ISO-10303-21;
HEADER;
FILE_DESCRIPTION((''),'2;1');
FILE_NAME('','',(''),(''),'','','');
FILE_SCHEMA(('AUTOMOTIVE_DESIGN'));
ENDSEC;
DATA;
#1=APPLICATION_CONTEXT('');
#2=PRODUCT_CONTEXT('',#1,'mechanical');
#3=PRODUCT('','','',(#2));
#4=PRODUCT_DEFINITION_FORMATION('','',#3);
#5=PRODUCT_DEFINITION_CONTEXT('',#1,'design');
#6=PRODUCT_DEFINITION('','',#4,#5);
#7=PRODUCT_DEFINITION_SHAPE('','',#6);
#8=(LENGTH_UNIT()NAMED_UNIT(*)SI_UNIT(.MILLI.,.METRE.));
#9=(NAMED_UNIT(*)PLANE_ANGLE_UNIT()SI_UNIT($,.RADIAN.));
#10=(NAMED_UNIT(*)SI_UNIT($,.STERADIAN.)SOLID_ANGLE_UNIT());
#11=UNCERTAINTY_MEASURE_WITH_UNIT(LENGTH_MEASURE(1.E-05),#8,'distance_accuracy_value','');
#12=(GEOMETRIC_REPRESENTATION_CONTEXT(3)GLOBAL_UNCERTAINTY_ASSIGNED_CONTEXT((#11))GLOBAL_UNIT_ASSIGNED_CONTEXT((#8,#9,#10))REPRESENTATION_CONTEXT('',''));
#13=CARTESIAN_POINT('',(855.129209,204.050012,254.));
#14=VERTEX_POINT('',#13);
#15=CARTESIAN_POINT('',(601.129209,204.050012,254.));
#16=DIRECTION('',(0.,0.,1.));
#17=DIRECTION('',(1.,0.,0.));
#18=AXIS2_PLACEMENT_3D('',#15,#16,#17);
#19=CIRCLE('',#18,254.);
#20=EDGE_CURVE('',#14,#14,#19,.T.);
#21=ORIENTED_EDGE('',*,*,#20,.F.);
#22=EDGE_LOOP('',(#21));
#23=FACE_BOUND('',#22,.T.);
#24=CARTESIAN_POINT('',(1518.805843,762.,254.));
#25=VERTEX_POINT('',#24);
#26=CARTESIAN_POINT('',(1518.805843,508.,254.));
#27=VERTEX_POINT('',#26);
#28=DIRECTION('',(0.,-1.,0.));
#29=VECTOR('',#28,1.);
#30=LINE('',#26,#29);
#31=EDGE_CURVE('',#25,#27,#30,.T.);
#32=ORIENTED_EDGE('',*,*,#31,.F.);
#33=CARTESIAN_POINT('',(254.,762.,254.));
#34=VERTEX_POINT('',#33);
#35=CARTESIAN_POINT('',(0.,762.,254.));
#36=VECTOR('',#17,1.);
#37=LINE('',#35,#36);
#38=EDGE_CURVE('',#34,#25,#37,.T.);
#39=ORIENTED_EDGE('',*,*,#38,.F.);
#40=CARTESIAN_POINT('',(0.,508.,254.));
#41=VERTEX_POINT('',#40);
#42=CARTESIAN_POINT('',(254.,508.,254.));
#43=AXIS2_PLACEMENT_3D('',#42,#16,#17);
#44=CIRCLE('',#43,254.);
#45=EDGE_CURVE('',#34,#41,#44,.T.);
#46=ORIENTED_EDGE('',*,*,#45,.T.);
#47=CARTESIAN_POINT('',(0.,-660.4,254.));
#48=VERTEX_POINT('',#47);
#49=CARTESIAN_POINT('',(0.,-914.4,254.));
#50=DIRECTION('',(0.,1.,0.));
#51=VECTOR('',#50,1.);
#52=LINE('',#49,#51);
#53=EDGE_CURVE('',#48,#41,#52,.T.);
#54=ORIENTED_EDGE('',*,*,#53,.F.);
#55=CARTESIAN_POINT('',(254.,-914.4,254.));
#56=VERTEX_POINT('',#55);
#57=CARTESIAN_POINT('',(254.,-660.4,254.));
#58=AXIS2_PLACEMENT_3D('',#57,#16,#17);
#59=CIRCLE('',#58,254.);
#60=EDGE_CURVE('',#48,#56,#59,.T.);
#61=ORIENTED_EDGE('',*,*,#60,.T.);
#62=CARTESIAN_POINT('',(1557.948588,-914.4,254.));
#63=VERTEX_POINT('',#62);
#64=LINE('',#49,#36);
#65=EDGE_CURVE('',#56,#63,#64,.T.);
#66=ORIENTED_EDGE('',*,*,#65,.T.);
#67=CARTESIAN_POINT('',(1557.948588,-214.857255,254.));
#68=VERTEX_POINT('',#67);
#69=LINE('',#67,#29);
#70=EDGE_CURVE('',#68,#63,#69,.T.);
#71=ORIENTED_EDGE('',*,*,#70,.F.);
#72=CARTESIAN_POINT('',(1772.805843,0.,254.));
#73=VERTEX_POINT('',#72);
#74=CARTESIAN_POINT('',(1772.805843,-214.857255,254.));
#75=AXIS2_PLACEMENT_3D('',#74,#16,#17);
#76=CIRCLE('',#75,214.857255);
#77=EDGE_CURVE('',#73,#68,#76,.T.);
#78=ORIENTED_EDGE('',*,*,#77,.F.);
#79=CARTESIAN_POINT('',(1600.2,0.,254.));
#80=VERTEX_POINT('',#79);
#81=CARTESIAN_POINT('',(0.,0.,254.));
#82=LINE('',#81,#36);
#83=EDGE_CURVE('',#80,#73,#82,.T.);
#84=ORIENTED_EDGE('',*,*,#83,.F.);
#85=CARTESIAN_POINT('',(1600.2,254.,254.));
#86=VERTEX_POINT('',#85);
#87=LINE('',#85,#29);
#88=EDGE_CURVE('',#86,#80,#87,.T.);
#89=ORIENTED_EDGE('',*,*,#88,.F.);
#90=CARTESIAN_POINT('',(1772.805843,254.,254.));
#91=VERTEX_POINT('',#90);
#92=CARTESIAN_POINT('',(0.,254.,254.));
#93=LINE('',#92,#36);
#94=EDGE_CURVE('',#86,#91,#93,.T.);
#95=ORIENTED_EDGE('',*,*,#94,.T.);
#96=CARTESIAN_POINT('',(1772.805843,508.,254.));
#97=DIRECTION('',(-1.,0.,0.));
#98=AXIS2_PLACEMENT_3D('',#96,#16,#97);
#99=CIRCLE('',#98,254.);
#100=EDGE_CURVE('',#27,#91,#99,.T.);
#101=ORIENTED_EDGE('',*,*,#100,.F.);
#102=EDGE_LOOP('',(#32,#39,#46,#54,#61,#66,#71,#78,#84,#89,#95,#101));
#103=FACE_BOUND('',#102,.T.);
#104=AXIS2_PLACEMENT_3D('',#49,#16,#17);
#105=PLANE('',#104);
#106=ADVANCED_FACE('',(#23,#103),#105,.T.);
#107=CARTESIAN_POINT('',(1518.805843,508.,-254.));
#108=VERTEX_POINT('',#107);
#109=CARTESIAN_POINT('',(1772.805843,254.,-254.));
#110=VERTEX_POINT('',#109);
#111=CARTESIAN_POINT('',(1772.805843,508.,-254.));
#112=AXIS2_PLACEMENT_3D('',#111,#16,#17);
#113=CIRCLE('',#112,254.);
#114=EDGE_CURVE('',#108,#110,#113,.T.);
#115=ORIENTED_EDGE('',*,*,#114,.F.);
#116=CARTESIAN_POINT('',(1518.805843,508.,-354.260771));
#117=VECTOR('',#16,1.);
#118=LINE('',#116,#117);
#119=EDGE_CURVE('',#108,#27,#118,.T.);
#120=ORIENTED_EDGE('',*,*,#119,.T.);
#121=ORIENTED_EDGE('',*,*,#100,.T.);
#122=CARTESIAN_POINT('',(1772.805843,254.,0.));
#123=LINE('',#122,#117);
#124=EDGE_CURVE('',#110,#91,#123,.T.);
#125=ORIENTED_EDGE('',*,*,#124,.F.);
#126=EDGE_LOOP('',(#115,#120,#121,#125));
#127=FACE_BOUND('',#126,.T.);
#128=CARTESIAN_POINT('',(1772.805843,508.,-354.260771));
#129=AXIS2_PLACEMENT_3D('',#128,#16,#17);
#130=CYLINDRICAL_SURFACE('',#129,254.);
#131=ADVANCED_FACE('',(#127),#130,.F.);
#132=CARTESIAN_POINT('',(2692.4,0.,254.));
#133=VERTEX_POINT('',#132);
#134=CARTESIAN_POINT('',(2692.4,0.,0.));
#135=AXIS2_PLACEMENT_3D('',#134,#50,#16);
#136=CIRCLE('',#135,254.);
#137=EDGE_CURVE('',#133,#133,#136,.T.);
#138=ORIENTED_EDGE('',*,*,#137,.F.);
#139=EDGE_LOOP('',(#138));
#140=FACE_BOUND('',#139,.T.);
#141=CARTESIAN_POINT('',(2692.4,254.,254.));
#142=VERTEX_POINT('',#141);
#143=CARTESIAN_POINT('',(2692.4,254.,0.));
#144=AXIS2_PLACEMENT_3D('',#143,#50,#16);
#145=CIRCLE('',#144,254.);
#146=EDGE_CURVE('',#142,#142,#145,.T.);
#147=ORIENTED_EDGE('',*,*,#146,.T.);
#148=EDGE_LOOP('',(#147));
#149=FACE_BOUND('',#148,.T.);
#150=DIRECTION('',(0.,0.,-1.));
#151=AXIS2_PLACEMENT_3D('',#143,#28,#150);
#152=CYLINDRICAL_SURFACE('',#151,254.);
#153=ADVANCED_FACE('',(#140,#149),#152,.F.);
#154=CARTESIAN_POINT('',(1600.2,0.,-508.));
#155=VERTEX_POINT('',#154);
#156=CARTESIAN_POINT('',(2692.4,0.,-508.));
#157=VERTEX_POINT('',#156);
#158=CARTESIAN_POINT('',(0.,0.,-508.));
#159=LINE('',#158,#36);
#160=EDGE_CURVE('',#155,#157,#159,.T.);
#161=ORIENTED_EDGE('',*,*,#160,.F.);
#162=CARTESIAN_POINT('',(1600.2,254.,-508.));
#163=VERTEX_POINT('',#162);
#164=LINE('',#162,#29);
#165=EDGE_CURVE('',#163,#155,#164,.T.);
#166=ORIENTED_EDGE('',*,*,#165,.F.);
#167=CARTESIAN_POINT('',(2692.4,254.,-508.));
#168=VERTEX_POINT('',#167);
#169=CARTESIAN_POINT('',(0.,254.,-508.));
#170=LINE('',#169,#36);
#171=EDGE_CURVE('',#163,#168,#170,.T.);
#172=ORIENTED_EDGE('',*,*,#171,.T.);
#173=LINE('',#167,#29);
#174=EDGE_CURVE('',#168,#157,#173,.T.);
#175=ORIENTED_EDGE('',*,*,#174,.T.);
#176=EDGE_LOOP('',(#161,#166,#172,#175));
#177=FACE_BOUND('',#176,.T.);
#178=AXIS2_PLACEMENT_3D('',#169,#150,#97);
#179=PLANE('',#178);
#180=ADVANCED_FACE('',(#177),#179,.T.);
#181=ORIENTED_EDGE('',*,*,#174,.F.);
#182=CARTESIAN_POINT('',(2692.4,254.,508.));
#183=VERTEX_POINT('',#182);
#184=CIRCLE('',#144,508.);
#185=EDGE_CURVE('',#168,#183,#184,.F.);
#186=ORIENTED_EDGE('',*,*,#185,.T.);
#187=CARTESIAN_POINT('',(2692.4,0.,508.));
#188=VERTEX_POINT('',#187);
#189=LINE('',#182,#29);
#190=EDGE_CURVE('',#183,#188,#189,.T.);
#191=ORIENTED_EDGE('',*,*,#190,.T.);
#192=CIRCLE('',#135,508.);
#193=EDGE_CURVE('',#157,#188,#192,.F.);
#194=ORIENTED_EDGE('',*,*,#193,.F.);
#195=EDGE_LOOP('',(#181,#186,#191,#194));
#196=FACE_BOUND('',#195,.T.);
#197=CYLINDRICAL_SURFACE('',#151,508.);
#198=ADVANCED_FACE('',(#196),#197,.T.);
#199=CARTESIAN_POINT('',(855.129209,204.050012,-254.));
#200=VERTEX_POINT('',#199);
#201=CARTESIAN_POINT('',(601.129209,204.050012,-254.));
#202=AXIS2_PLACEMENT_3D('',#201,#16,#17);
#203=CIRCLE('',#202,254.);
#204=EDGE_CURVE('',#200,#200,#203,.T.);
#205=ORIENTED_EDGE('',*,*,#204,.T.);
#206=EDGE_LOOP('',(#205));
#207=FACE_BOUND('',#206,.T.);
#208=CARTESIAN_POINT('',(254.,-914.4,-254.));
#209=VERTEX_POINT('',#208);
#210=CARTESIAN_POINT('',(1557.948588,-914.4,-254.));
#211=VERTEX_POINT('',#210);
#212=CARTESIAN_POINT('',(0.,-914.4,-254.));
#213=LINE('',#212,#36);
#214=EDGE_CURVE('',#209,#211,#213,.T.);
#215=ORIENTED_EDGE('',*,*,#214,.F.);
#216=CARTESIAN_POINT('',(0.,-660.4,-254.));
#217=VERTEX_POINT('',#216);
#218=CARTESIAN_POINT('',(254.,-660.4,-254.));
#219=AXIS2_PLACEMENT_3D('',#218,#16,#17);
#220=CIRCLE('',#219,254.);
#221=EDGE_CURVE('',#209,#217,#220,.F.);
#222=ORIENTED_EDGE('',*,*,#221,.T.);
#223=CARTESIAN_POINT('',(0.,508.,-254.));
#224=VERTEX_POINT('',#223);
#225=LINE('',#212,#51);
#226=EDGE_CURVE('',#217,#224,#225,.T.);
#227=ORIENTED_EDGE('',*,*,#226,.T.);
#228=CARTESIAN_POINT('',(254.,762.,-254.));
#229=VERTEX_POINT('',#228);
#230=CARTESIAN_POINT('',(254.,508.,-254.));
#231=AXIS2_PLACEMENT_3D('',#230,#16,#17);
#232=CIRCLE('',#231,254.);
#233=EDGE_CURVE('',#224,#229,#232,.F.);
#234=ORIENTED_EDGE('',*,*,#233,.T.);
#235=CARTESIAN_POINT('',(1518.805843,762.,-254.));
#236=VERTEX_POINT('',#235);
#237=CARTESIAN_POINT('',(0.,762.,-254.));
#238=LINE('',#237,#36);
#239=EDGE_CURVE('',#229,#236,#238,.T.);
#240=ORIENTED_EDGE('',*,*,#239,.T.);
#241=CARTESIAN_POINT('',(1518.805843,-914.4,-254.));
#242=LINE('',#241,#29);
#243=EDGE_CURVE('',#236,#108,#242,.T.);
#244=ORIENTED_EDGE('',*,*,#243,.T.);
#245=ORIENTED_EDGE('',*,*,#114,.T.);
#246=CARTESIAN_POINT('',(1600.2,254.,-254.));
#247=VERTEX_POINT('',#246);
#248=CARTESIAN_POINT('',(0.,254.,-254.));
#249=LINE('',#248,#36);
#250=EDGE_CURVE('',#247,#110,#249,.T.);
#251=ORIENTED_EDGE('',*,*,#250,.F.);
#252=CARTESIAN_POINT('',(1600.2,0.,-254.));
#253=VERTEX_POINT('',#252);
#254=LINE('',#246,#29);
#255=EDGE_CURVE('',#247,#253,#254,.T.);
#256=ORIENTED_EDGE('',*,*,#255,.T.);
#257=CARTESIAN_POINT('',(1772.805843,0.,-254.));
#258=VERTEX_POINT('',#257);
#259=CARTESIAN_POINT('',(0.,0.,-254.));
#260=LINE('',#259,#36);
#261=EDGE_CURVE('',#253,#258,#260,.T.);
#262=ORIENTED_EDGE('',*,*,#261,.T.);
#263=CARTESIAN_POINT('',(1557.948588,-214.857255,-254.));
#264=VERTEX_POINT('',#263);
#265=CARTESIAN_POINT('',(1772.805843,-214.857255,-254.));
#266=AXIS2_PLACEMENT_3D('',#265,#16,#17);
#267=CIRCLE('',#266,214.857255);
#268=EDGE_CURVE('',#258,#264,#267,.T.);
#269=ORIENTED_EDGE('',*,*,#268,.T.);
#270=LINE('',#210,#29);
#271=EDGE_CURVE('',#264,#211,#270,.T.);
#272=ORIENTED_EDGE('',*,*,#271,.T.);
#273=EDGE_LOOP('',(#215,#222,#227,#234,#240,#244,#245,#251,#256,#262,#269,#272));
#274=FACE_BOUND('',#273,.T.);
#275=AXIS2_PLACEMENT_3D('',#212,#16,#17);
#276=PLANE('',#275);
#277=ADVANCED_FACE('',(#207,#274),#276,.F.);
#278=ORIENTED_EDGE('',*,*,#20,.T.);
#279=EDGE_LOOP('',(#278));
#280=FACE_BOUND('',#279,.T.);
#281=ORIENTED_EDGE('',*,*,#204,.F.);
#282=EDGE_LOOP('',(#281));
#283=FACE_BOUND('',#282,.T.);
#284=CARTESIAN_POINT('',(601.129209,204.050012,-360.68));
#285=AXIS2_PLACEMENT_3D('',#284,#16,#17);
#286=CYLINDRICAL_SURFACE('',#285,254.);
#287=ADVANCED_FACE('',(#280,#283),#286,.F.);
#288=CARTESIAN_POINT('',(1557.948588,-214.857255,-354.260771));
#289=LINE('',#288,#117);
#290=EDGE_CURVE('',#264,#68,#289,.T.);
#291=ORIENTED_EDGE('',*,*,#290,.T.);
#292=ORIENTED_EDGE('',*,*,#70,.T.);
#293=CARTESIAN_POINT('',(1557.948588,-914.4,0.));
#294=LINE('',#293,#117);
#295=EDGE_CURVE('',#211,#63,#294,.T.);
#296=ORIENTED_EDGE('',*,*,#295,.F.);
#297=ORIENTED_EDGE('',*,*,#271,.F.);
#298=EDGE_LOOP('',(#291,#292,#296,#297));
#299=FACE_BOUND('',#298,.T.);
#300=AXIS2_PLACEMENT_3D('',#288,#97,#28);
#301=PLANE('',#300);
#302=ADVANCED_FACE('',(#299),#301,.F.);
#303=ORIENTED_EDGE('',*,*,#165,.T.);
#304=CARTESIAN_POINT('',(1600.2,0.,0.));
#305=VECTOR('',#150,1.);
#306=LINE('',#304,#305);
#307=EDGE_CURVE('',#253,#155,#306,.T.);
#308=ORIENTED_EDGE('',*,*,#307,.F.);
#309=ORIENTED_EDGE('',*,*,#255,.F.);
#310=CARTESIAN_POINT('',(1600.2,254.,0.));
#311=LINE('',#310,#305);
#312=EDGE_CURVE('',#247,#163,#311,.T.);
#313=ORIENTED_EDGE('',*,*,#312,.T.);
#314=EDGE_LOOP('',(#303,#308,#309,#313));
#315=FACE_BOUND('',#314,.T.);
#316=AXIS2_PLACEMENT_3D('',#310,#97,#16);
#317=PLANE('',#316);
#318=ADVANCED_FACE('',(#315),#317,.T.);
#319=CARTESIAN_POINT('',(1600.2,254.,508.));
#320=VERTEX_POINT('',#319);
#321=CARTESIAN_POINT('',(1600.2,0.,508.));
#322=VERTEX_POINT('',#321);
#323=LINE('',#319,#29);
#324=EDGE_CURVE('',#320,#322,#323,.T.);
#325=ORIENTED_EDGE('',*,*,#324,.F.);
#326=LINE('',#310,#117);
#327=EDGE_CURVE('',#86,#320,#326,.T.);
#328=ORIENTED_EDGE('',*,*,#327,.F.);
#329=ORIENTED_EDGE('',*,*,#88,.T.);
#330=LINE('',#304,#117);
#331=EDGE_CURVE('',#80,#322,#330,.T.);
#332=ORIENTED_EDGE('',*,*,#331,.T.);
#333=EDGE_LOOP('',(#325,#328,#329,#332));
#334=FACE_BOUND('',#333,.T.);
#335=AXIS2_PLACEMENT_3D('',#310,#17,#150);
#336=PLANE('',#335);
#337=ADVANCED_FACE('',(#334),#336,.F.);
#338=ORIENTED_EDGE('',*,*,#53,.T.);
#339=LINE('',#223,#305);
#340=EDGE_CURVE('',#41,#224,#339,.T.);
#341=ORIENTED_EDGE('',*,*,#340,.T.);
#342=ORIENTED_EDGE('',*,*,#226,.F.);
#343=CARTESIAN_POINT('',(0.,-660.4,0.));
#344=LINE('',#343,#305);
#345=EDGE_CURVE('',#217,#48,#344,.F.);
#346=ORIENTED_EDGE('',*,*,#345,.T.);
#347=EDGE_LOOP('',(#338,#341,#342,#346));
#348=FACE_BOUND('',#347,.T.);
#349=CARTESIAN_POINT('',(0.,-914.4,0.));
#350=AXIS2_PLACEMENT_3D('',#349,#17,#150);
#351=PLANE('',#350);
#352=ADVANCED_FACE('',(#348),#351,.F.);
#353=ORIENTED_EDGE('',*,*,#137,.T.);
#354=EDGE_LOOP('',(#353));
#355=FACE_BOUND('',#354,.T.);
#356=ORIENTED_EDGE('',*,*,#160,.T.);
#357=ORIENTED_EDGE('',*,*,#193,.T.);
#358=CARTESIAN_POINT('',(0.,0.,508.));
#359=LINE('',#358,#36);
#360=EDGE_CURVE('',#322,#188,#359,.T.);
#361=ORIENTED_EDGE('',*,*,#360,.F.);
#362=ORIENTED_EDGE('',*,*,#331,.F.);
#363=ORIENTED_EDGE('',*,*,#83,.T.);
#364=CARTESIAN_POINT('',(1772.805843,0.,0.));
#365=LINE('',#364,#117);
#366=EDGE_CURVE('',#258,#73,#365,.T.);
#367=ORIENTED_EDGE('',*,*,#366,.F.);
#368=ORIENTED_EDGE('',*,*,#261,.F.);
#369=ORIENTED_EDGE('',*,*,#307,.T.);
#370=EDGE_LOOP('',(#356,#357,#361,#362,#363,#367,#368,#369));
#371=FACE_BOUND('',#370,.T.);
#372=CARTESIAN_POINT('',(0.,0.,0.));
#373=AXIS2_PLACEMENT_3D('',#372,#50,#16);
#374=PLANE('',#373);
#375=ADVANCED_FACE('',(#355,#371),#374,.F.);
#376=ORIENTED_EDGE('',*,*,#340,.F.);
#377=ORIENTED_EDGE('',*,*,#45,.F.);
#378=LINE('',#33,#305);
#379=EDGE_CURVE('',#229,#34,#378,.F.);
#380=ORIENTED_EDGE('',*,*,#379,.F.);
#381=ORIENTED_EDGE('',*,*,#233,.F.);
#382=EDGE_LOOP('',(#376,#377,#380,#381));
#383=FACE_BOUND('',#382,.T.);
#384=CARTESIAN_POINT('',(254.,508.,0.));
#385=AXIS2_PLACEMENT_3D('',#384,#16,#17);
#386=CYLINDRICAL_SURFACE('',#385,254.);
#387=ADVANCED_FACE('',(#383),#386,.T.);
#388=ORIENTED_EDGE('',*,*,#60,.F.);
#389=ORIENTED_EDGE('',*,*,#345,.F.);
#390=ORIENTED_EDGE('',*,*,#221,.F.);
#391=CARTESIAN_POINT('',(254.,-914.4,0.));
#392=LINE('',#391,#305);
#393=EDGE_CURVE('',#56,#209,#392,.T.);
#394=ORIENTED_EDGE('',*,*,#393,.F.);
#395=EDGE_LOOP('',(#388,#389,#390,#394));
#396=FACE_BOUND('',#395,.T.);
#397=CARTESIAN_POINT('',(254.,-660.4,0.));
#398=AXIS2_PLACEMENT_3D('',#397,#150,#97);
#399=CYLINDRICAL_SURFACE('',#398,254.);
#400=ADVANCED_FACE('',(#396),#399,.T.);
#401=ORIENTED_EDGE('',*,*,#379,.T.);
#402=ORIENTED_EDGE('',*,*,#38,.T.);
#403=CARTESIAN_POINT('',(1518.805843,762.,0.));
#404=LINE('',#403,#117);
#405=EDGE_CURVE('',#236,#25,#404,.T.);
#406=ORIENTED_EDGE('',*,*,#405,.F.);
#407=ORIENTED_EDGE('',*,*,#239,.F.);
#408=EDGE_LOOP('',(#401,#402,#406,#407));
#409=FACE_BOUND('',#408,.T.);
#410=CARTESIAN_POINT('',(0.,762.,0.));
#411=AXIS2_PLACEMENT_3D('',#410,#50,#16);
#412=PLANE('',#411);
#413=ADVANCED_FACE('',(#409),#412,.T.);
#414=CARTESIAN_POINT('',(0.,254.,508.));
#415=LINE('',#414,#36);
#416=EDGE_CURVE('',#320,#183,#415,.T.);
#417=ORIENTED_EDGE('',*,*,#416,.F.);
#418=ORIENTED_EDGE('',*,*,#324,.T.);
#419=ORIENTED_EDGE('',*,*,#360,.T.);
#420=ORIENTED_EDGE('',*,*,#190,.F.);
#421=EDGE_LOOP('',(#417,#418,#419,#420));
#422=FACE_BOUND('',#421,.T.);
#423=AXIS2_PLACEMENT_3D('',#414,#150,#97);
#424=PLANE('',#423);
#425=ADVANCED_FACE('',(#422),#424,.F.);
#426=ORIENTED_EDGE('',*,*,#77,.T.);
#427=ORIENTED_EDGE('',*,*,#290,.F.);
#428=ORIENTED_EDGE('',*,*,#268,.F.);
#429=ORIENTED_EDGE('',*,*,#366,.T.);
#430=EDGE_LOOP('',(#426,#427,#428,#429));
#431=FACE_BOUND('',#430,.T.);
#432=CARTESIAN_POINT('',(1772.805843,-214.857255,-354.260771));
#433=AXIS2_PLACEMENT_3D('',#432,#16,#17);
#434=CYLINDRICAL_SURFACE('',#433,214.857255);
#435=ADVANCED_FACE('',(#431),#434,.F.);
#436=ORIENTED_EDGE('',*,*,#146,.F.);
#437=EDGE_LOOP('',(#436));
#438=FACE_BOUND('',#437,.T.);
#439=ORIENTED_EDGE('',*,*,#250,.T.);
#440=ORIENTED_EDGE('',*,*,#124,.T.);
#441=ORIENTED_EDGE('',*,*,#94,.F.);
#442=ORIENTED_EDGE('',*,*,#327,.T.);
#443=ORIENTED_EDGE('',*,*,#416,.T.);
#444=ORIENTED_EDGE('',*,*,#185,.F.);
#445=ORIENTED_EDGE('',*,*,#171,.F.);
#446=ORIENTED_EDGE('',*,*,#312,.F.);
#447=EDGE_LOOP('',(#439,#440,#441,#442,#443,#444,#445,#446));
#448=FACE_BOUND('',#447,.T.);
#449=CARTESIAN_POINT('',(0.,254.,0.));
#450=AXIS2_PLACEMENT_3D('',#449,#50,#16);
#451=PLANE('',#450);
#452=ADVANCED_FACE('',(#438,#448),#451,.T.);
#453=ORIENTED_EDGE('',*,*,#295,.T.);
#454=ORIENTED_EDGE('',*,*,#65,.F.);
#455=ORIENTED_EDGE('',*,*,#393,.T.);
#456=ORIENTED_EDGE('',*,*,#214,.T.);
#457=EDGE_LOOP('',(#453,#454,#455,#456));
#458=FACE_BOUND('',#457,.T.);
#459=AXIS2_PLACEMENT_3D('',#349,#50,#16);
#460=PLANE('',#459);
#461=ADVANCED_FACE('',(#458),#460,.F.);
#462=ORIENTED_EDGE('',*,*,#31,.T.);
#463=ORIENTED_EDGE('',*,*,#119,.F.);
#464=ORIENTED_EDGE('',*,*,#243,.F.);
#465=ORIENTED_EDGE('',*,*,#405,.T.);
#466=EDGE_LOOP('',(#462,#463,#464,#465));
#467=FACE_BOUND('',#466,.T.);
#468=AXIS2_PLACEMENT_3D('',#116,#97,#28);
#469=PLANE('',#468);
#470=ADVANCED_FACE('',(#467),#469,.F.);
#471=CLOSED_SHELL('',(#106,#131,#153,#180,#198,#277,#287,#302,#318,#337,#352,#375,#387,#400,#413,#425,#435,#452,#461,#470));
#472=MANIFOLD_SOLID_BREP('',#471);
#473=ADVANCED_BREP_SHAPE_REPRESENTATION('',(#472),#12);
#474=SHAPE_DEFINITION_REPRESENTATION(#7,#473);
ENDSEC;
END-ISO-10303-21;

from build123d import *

# Parameters (mm, degrees)
BOSS_EXTRUDE1_DEPTH      = 508
BOSS_EXTRUDE1_DEPTH_BACK = 914.4
SKETCH1_W                = 1772.805842697
SKETCH1_H                = 508
SKETCH1_3_R              = 254
BOSS_EXTRUDE2_DEPTH      = 254
SKETCH1_4_W              = 1772.805842697
SKETCH1_4_H              = 508
BOSS_EXTRUDE3_DEPTH      = 762
CUT_EXTRUDE1_DEPTH       = 608.260771289
FILLET2_R                = 254
FILLET3_R                = 254
SKETCH12_R               = 254
CUT_EXTRUDE2_DEPTH       = 614.68


with BuildPart() as part:
    # Sketch1 → Boss-Extrude1 (new, two sides: drawn at the far end of the back side and taken through both)
    with BuildSketch(Plane(origin=(0, 0, 0), x_dir=(1, 0, 0), z_dir=(0, 1, 0)).offset(-BOSS_EXTRUDE1_DEPTH_BACK)):
        with Locations((886.402921349, 0)):
            Rectangle(SKETCH1_W, SKETCH1_H)
    extrude(amount=BOSS_EXTRUDE1_DEPTH + BOSS_EXTRUDE1_DEPTH_BACK)

    # Sketch1<3> → Boss-Extrude2 (add)
    with BuildSketch(Plane(origin=(0, 0, 0), x_dir=(1, 0, 0), z_dir=(0, 1, 0))):
        with BuildLine():
            Line((1772.805842697, -254), (1600.2, -254))
            Line((1600.2, -254), (1600.2, -508))
            Line((1600.2, -508), (2692.4, -508))
            ThreePointArc((2692.4, -508), (3200.4, 0), (2692.4, 508))
            Line((2692.4, 508), (1600.2, 508))
            Line((1600.2, 508), (1600.2, 254))
            Line((1600.2, 254), (1772.805842697, 254))
            Line((1772.805842697, 254), (1772.805842697, -254))
        make_face()
        with Locations((2692.4, 0)):
            Circle(SKETCH1_3_R, mode=Mode.SUBTRACT)
    extrude(amount=BOSS_EXTRUDE2_DEPTH)

    # Sketch1<4> → Boss-Extrude3 (add)
    with BuildSketch(Plane(origin=(0, 0, 0), x_dir=(1, 0, 0), z_dir=(0, 1, 0))):
        with Locations((886.402921349, 0)):
            Rectangle(SKETCH1_4_W, SKETCH1_4_H)
    extrude(amount=BOSS_EXTRUDE3_DEPTH)

    # Sketch11 → Cut-Extrude1 (cut)
    with BuildSketch(Plane.XY.offset(254)):
        with BuildLine():
            Line((1518.805842697, 508), (1518.805842697, 762))
            Line((1518.805842697, 762), (1772.805842697, 762))
            Line((1772.805842697, 762), (1772.805842697, 254))
            ThreePointArc((1772.805842697, 254), (1593.200720275, 328.394877579), (1518.805842697, 508))
        make_face()
        with BuildLine():
            Line((1557.94858799, -214.857254707), (1557.94858799, -914.4))
            Line((1557.94858799, -914.4), (1772.805842697, -914.4))
            Line((1772.805842697, -914.4), (1772.805842697, 0))
            ThreePointArc((1772.805842697, 0), (1620.878820906, -62.930232917), (1557.94858799, -214.857254707))
        make_face()
    extrude(amount=-CUT_EXTRUDE1_DEPTH, mode=Mode.SUBTRACT)

    # Fillet2
    fillet2_edges = [part.edges().sort_by_distance(p)[0] for p in [
        (0, 762, 0),
    ]]
    fillet(fillet2_edges, radius=FILLET2_R)

    # Fillet3
    fillet3_edges = [part.edges().sort_by_distance(p)[0] for p in [
        (0, -914.4, 0),
    ]]
    fillet(fillet3_edges, radius=FILLET3_R)

    # Sketch12 → Cut-Extrude2 (cut)
    with BuildSketch(Plane.XY.offset(254)):
        with Locations((601.129209232, 204.050012336)):
            Circle(SKETCH12_R)
    extrude(amount=-CUT_EXTRUDE2_DEPTH, mode=Mode.SUBTRACT)


solid = part.part
